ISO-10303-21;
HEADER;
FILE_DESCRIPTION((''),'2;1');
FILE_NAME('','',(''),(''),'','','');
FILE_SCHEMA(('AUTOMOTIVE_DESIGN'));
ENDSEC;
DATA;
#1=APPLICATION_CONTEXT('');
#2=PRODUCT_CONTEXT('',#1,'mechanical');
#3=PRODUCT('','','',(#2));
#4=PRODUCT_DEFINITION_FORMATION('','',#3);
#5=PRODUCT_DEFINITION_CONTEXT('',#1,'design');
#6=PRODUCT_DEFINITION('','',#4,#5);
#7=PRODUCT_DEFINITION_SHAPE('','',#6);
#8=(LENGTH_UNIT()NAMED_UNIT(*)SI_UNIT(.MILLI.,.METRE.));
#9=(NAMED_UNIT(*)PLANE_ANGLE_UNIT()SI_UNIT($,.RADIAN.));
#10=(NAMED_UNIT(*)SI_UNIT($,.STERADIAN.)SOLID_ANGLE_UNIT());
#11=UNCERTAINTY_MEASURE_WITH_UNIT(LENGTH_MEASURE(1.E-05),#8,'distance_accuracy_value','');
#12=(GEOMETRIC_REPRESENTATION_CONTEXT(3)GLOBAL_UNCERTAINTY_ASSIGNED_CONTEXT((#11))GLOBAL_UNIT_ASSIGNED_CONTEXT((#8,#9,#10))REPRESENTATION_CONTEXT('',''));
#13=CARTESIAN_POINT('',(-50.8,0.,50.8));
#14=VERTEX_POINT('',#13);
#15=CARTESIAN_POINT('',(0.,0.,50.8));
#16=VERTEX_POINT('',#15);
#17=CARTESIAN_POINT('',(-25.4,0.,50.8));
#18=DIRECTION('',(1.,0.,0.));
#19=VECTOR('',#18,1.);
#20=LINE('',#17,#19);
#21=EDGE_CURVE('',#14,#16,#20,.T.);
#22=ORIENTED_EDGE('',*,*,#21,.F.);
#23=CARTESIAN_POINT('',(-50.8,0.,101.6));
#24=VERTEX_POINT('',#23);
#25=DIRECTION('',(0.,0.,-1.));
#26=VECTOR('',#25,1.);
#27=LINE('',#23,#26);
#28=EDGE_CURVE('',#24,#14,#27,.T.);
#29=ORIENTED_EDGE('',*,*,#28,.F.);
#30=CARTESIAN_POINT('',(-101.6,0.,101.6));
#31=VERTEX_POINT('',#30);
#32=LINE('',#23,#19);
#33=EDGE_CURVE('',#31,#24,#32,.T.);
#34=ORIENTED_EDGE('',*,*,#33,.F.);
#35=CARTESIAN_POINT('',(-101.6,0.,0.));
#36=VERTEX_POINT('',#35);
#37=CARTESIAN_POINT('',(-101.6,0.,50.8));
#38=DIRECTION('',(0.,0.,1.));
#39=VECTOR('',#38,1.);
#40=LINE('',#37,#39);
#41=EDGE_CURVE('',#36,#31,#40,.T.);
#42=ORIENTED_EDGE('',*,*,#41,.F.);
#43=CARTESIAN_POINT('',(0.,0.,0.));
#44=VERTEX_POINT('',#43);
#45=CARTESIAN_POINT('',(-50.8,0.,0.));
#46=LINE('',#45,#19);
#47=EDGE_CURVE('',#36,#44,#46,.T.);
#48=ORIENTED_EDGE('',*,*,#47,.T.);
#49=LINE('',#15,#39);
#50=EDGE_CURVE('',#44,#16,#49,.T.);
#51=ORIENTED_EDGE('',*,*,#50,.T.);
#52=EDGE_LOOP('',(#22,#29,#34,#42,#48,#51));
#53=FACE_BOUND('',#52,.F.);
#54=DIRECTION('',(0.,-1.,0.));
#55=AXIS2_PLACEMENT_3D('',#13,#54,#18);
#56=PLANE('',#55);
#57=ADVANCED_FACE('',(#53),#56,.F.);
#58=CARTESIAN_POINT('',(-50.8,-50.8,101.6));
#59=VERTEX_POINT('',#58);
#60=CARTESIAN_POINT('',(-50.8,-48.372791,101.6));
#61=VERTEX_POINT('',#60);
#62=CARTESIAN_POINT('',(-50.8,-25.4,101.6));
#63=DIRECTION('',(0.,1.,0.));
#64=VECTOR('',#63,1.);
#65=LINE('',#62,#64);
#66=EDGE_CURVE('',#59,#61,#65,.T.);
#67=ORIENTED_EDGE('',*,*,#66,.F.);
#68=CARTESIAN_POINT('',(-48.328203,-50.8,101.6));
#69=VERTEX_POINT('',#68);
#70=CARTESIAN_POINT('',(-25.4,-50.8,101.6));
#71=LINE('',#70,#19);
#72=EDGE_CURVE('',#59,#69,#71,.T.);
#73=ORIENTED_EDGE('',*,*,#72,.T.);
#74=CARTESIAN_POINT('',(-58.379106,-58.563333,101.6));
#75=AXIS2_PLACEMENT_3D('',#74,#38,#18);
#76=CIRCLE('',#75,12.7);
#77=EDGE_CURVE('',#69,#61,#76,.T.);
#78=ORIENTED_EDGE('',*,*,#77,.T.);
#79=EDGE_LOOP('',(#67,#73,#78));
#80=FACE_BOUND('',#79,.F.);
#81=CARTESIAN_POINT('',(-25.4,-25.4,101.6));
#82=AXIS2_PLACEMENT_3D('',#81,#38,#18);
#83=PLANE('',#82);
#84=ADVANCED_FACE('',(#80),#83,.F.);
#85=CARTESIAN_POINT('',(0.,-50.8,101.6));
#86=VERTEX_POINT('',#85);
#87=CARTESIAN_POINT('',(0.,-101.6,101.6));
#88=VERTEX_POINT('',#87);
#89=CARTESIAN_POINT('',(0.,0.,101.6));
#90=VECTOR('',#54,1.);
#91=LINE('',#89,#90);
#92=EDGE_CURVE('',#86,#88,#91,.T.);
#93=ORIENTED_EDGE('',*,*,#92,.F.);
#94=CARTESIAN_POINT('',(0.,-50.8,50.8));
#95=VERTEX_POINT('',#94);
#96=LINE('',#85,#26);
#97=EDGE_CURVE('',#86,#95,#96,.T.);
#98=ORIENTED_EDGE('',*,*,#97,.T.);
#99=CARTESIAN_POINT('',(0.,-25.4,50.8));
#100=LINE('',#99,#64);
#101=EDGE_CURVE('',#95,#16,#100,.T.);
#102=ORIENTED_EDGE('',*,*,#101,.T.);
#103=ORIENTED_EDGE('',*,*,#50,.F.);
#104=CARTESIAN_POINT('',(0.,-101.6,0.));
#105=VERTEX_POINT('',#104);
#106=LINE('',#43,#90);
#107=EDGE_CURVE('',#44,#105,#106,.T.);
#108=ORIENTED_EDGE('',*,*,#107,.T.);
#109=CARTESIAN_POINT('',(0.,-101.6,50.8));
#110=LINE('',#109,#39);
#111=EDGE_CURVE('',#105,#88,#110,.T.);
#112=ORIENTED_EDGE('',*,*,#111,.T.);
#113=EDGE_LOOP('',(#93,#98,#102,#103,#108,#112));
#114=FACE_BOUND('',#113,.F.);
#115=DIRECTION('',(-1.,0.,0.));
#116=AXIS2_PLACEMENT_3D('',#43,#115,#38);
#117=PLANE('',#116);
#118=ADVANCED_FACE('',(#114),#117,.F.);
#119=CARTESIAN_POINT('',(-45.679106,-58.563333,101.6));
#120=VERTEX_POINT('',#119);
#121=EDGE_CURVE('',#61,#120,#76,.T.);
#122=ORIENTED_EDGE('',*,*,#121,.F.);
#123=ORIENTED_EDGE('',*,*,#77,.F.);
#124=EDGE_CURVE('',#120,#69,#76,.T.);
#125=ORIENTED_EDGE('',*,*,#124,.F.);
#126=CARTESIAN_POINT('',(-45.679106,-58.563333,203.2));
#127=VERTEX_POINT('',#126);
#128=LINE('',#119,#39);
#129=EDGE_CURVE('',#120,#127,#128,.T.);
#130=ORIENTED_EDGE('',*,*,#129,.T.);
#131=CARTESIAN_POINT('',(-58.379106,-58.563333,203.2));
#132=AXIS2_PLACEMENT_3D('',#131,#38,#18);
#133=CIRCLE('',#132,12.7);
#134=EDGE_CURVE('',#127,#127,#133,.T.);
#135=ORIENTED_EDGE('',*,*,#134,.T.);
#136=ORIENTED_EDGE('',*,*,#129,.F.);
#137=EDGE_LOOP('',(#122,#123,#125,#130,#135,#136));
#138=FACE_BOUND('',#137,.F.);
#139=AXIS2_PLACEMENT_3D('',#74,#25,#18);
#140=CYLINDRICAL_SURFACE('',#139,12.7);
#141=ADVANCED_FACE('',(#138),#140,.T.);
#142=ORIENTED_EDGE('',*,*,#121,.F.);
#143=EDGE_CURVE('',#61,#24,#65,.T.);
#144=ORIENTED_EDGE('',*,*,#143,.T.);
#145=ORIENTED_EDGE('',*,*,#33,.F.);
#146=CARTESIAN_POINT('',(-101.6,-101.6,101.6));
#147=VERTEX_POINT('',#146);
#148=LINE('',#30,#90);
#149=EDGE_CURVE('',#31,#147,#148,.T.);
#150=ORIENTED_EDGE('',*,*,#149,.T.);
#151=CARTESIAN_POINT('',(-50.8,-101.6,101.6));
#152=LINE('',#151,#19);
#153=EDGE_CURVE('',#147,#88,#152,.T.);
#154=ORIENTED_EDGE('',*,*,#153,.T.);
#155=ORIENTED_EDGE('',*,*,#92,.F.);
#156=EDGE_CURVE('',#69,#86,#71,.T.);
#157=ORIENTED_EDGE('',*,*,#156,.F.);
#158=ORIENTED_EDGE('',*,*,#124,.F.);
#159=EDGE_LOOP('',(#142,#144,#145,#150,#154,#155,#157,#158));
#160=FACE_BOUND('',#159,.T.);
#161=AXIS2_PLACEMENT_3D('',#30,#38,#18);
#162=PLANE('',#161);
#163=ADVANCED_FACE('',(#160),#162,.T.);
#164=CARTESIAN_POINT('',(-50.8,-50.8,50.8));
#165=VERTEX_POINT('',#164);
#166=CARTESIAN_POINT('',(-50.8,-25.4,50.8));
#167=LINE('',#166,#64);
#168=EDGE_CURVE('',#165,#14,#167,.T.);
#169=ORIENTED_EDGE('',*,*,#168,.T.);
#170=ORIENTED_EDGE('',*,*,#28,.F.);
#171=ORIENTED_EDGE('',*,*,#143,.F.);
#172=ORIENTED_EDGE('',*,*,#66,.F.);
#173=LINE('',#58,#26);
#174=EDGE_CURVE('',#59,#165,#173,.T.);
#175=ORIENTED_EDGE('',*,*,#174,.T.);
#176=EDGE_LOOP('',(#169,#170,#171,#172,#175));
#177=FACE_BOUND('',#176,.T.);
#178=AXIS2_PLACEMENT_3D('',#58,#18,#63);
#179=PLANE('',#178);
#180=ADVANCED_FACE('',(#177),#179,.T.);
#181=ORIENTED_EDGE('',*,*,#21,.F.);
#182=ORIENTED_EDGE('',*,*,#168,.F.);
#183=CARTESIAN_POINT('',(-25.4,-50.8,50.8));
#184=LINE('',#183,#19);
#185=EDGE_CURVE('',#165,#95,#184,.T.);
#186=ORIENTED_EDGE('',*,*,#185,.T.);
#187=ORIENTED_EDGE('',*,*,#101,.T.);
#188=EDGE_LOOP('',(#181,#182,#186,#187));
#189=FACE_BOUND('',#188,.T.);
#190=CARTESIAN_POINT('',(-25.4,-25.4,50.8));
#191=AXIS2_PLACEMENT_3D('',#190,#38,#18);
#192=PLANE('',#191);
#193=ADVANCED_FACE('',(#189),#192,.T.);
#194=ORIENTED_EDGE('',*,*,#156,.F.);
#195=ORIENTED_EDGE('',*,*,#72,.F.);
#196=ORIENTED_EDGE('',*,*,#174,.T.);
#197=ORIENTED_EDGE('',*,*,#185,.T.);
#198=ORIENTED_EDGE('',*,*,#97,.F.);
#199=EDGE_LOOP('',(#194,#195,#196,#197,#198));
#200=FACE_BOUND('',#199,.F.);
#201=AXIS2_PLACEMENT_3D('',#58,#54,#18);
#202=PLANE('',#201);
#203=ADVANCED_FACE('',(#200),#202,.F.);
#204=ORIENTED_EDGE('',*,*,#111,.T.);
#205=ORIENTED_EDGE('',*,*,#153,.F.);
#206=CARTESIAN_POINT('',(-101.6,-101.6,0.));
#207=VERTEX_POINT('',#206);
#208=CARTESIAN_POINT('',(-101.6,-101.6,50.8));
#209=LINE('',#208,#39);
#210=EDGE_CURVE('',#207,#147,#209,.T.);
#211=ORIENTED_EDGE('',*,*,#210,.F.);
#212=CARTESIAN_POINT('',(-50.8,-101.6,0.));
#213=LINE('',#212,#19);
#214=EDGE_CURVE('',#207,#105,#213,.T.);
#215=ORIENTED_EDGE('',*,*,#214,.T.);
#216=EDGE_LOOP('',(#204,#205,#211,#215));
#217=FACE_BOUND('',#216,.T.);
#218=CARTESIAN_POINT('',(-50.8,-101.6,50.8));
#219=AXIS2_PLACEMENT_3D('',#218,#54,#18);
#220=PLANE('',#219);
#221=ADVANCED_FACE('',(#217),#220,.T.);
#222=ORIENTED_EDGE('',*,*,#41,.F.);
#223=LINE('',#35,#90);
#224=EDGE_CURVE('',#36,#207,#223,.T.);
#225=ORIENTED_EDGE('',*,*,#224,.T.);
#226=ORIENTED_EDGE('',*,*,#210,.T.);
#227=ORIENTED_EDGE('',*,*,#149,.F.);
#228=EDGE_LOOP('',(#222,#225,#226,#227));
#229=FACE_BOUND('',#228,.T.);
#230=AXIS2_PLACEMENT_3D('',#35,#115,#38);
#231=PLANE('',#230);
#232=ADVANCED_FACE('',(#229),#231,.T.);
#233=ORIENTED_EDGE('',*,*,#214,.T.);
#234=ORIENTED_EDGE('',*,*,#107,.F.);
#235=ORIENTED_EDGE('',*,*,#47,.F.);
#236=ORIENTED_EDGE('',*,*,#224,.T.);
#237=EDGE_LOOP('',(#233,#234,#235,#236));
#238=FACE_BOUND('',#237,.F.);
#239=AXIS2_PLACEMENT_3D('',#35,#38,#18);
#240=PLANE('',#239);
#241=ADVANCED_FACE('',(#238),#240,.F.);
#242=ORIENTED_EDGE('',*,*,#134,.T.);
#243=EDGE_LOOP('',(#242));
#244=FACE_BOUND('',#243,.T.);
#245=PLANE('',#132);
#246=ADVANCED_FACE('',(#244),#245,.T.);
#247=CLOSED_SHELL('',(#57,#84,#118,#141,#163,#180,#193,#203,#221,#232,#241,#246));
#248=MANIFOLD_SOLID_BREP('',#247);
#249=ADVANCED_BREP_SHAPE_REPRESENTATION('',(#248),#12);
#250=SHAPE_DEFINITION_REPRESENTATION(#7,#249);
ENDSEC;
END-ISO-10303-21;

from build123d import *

# Parameters (mm, degrees)
F0_W     = 101.6
F0_H     = 101.6
F1_DEPTH = 101.6
F2_R     = 12.7
F3_DEPTH = 101.6
F4_W     = 50.8
F4_H     = 50.8
F5_DEPTH = 50.8


with BuildPart() as f1:
    # F0 (on Front) → F1 (new body)
    with BuildSketch(Plane.XZ):
        with Locations((-50.8, 50.8)):
            Rectangle(F0_W, F0_H)
    extrude(amount=F1_DEPTH)

    # F2 (on face) → F3 (join)
    with BuildSketch(Plane.XY.offset(101.6)):
        with Locations((-58.379106, -58.563333)):
            Circle(F2_R)
    extrude(amount=F3_DEPTH)

    # F4 (on face) → F5 (cut)
    with BuildSketch(Plane.XY.offset(101.6)):
        with Locations((-25.4, -25.4)):
            Rectangle(F4_W, F4_H)
    extrude(amount=-F5_DEPTH, mode=Mode.SUBTRACT)


solid = f1.part
